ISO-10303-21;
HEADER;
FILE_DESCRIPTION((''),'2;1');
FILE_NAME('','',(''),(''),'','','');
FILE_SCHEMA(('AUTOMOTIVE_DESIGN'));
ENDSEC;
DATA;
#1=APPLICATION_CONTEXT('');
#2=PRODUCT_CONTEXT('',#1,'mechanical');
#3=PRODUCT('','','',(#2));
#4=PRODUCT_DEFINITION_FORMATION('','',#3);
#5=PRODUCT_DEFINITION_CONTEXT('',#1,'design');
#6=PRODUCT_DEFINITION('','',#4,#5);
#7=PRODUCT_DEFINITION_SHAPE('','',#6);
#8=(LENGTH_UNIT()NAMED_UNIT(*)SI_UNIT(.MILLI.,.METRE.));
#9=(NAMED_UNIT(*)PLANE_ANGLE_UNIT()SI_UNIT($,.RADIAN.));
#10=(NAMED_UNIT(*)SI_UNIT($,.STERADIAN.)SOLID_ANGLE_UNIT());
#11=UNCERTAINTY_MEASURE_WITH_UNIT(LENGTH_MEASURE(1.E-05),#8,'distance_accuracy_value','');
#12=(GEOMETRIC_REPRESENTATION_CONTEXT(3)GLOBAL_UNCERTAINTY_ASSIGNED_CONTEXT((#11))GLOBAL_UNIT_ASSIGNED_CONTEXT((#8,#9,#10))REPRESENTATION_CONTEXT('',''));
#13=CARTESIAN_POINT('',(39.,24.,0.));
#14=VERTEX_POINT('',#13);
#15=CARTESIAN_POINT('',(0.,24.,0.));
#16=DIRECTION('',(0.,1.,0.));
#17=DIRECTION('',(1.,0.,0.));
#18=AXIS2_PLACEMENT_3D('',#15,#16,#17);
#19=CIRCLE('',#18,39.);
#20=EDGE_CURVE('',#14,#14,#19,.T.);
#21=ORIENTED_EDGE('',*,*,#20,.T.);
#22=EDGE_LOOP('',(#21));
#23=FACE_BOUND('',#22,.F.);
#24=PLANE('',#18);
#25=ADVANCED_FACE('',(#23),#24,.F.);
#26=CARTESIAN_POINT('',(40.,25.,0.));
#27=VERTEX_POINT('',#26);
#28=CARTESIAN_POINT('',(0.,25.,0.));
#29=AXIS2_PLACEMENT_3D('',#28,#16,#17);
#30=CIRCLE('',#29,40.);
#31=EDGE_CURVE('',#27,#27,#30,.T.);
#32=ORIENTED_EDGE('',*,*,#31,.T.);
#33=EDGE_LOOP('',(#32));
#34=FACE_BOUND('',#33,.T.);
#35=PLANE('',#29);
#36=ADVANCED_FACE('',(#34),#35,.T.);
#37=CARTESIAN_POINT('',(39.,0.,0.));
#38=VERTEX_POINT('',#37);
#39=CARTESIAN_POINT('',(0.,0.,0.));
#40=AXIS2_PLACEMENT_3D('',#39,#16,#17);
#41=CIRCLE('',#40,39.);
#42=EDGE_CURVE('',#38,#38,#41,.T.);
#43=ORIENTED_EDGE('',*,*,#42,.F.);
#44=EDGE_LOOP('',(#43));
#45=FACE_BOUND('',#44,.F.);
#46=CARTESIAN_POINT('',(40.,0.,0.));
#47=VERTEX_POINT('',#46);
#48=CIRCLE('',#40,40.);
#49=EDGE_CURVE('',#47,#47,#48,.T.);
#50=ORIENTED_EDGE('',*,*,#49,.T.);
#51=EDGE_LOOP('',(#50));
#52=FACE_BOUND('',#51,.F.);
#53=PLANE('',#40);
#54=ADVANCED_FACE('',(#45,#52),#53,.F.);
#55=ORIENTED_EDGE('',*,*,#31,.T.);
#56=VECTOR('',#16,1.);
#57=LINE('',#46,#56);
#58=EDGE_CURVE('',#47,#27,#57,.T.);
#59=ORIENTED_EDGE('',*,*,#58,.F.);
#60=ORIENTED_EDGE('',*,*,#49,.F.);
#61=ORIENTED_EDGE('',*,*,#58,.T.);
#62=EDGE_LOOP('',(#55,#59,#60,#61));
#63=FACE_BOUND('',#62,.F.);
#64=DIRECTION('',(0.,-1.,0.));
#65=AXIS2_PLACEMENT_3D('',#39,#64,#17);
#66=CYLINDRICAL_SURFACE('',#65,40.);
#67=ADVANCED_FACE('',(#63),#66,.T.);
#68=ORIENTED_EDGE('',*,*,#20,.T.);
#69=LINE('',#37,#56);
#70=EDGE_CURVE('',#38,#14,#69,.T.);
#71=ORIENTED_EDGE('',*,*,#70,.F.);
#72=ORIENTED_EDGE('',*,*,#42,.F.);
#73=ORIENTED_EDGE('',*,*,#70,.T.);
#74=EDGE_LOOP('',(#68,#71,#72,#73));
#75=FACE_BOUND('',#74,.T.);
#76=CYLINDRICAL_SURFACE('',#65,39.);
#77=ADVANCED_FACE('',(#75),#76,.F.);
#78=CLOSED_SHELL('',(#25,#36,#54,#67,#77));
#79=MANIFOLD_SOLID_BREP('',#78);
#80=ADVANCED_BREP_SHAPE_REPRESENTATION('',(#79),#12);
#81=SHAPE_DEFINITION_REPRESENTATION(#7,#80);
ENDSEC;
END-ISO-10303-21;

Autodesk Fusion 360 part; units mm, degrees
sketch "Sketch1" plane through (0, 0, 0) normal (0, 1, 0) x (1, 0, 0)
  circle A0 centre (0, 0) radius 40
  dimension "d1" = 80
extrude "Extrude1" add sketch "Sketch1" along normal blind 25
sketch "Sketch2" plane through (0, 0, 0) normal (0, 1, 0) x (1, 0, 0)
  circle A0 centre (0, 0) radius 39
  dimension "d4" = 78
extrude "Extrude2" cut sketch "Sketch2" along normal blind 24
